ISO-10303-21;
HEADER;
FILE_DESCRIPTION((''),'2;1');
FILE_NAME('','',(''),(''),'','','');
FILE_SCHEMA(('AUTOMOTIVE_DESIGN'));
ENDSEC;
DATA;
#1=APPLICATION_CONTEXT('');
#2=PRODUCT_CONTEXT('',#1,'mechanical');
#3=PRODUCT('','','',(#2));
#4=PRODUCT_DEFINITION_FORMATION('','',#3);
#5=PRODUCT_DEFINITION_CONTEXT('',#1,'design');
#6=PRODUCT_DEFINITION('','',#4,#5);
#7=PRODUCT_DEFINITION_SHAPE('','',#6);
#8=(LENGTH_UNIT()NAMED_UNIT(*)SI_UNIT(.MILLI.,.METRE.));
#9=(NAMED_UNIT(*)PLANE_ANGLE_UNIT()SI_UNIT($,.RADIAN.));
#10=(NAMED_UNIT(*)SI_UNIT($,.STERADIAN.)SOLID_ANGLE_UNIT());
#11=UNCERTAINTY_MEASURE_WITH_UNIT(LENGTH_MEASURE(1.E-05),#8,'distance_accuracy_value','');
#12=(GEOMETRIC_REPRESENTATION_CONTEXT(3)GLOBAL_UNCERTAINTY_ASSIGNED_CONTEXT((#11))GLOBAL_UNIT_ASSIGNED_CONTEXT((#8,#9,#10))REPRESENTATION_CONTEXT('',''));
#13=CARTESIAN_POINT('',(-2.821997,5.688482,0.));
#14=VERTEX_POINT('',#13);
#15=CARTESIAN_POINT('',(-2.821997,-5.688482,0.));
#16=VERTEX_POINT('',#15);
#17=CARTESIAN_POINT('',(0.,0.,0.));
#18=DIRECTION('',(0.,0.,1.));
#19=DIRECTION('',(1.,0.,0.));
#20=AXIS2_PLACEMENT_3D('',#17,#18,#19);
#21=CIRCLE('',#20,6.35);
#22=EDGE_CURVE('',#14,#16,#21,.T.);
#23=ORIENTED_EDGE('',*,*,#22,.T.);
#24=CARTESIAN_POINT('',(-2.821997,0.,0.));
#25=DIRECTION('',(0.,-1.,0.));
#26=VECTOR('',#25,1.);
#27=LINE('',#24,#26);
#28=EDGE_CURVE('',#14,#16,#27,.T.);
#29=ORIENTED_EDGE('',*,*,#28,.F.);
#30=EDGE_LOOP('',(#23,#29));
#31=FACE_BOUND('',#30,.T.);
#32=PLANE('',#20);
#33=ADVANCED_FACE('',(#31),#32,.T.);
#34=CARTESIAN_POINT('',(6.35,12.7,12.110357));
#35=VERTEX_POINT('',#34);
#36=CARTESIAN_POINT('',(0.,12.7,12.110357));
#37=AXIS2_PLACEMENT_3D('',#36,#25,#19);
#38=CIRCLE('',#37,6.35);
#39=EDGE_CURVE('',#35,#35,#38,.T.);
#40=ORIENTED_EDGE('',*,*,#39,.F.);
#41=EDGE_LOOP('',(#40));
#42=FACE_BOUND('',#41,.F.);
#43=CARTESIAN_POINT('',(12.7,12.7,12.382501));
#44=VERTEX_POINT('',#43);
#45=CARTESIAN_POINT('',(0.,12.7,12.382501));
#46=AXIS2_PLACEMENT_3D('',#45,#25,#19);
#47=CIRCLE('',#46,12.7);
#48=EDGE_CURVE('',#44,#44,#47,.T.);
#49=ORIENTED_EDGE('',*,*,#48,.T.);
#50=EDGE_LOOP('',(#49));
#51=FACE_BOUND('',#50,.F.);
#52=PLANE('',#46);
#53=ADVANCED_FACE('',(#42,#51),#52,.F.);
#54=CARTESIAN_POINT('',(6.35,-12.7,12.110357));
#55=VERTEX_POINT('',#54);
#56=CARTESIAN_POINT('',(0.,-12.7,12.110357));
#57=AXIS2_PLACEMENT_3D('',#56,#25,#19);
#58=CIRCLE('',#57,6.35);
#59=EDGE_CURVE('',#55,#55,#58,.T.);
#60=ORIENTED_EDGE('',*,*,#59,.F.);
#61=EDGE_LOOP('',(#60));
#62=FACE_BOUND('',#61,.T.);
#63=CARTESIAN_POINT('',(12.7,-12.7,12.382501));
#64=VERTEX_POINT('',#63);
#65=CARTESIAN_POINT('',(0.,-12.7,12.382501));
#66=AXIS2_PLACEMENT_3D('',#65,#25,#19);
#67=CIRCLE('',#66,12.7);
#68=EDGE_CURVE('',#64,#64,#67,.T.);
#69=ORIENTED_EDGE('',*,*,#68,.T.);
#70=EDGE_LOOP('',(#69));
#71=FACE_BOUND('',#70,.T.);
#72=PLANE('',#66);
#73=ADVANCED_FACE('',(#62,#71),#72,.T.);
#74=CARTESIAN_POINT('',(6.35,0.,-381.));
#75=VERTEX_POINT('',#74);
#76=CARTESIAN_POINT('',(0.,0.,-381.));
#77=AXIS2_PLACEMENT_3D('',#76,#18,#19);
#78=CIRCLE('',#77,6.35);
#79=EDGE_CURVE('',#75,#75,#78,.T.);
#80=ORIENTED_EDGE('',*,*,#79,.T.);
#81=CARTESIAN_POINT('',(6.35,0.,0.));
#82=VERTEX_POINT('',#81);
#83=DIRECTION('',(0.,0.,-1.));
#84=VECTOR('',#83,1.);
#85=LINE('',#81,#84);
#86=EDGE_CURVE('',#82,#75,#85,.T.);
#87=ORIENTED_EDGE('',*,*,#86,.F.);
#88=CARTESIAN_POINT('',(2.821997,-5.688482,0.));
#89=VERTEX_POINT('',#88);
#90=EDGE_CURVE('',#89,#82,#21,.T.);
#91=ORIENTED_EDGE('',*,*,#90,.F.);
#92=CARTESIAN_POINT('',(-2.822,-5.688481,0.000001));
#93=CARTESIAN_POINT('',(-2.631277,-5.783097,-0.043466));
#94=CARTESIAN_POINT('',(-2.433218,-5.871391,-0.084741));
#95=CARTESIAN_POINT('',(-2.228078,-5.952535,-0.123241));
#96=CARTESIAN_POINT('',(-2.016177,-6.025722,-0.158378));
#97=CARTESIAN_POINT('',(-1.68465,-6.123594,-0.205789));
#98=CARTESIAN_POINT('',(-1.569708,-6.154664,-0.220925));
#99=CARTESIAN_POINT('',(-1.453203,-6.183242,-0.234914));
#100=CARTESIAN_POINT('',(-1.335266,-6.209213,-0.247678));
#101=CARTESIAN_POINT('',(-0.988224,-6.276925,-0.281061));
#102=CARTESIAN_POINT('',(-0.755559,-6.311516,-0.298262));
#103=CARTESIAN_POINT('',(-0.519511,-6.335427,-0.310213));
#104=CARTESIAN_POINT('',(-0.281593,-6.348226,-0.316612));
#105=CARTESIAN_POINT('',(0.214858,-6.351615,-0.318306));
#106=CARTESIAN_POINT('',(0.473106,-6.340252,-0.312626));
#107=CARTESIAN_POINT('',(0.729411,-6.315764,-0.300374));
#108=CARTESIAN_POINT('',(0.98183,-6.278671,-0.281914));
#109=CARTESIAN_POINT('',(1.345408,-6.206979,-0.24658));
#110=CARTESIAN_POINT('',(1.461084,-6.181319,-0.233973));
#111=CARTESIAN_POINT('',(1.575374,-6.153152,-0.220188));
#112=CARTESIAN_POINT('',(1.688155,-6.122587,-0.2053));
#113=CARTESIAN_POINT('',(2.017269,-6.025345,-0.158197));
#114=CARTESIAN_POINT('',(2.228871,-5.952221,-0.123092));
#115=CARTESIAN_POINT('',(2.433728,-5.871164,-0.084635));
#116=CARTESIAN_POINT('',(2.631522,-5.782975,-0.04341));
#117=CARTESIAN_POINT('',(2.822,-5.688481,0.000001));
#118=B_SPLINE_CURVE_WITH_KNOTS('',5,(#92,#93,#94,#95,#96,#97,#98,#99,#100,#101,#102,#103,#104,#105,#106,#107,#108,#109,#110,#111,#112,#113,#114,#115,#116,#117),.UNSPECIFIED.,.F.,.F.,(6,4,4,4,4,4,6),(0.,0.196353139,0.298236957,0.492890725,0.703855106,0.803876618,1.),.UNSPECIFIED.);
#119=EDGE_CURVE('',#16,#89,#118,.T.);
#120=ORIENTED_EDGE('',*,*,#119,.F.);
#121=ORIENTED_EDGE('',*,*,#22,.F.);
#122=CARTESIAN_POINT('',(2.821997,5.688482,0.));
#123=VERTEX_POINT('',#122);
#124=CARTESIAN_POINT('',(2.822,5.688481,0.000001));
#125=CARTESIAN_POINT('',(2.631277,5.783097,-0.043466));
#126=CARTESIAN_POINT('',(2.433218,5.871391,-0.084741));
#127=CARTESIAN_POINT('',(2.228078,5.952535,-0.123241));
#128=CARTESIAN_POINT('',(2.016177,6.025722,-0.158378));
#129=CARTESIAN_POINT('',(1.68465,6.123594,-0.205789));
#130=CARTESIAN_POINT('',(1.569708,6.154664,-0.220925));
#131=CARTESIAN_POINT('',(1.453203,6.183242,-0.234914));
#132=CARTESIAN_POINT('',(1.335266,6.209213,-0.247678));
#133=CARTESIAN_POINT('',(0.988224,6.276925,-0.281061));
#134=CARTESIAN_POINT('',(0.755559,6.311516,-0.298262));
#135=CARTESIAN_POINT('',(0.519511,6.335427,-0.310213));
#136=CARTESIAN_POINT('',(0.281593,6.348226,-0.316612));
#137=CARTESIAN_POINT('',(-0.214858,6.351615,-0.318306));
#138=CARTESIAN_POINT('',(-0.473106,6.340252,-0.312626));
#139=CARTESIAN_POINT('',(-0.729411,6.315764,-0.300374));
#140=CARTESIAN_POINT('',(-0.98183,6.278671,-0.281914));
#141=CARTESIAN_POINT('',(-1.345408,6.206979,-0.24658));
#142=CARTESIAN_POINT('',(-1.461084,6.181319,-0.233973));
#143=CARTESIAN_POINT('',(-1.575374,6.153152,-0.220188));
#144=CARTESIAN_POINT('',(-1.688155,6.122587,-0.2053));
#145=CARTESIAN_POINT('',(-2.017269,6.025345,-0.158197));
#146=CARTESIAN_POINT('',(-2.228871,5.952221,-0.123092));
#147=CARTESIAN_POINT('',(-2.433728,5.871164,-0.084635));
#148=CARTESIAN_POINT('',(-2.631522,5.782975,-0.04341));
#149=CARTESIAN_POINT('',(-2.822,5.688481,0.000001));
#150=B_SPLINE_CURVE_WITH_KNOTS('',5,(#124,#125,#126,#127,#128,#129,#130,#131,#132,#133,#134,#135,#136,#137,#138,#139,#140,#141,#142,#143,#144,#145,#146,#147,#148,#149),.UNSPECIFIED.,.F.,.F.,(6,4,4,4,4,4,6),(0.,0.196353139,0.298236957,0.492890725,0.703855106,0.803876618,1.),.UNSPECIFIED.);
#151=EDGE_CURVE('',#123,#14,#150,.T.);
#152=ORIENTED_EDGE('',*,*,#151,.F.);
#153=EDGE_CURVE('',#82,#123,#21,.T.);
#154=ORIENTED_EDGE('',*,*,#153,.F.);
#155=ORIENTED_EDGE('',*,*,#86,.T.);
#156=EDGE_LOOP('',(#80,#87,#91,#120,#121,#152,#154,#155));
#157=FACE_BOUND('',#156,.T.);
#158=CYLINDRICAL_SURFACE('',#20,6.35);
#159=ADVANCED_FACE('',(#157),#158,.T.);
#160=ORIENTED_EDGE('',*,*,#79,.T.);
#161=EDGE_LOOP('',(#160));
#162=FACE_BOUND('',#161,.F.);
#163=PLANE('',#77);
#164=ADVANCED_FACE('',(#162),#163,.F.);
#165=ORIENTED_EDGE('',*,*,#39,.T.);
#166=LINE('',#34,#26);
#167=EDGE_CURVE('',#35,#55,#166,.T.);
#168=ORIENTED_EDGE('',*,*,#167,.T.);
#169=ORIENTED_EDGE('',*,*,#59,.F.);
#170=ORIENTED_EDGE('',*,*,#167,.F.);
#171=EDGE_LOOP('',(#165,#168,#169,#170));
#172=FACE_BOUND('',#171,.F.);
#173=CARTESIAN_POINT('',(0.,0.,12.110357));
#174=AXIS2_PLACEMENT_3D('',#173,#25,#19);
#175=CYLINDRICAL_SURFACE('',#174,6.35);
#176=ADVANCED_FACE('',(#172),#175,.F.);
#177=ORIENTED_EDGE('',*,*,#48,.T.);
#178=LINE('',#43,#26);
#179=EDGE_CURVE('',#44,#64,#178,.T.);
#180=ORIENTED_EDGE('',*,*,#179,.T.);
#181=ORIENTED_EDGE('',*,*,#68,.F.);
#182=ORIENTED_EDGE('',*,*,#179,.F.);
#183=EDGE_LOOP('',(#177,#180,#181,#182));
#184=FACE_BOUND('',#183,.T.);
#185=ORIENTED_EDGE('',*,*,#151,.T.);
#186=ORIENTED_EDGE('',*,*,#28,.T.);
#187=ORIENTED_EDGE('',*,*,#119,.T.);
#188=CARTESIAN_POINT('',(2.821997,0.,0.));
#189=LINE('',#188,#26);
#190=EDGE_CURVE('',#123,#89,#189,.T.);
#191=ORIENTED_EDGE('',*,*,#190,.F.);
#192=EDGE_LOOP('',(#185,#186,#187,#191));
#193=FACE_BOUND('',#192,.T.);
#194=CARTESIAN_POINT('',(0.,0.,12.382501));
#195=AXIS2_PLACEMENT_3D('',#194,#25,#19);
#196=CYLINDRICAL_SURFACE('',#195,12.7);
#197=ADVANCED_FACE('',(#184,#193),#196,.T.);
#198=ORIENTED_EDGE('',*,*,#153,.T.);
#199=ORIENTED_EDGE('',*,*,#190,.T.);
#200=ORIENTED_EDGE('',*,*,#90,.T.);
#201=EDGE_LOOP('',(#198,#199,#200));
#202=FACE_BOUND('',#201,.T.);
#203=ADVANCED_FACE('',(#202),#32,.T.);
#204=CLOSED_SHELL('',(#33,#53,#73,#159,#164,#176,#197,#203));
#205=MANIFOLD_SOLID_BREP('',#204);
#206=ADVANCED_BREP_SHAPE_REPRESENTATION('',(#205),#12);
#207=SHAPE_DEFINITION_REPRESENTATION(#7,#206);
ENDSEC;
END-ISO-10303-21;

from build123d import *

# Parameters (mm, degrees)
F0_R     = 6.35
F1_DEPTH = 381
F2_R     = 12.7
F3_DEPTH = 12.7
F4_R     = 6.35
F5_DEPTH = 12.7


with BuildPart() as f1:
    # F0 (on Top) → F1 (new body)
    with BuildSketch(Plane.XY):
        Circle(F0_R)
    extrude(amount=-F1_DEPTH)

    # F2 (on Front) → F3 (join, symmetric)
    with BuildSketch(Plane.XZ):
        with Locations((0, 12.382501)):
            Circle(F2_R)
    extrude(amount=F3_DEPTH, both=True)

    # F4 (on Front) → F5 (cut, symmetric)
    with BuildSketch(Plane.XZ):
        with Locations((0, 12.110357)):
            Circle(F4_R)
    extrude(amount=F5_DEPTH, both=True, mode=Mode.SUBTRACT)


solid = f1.part
